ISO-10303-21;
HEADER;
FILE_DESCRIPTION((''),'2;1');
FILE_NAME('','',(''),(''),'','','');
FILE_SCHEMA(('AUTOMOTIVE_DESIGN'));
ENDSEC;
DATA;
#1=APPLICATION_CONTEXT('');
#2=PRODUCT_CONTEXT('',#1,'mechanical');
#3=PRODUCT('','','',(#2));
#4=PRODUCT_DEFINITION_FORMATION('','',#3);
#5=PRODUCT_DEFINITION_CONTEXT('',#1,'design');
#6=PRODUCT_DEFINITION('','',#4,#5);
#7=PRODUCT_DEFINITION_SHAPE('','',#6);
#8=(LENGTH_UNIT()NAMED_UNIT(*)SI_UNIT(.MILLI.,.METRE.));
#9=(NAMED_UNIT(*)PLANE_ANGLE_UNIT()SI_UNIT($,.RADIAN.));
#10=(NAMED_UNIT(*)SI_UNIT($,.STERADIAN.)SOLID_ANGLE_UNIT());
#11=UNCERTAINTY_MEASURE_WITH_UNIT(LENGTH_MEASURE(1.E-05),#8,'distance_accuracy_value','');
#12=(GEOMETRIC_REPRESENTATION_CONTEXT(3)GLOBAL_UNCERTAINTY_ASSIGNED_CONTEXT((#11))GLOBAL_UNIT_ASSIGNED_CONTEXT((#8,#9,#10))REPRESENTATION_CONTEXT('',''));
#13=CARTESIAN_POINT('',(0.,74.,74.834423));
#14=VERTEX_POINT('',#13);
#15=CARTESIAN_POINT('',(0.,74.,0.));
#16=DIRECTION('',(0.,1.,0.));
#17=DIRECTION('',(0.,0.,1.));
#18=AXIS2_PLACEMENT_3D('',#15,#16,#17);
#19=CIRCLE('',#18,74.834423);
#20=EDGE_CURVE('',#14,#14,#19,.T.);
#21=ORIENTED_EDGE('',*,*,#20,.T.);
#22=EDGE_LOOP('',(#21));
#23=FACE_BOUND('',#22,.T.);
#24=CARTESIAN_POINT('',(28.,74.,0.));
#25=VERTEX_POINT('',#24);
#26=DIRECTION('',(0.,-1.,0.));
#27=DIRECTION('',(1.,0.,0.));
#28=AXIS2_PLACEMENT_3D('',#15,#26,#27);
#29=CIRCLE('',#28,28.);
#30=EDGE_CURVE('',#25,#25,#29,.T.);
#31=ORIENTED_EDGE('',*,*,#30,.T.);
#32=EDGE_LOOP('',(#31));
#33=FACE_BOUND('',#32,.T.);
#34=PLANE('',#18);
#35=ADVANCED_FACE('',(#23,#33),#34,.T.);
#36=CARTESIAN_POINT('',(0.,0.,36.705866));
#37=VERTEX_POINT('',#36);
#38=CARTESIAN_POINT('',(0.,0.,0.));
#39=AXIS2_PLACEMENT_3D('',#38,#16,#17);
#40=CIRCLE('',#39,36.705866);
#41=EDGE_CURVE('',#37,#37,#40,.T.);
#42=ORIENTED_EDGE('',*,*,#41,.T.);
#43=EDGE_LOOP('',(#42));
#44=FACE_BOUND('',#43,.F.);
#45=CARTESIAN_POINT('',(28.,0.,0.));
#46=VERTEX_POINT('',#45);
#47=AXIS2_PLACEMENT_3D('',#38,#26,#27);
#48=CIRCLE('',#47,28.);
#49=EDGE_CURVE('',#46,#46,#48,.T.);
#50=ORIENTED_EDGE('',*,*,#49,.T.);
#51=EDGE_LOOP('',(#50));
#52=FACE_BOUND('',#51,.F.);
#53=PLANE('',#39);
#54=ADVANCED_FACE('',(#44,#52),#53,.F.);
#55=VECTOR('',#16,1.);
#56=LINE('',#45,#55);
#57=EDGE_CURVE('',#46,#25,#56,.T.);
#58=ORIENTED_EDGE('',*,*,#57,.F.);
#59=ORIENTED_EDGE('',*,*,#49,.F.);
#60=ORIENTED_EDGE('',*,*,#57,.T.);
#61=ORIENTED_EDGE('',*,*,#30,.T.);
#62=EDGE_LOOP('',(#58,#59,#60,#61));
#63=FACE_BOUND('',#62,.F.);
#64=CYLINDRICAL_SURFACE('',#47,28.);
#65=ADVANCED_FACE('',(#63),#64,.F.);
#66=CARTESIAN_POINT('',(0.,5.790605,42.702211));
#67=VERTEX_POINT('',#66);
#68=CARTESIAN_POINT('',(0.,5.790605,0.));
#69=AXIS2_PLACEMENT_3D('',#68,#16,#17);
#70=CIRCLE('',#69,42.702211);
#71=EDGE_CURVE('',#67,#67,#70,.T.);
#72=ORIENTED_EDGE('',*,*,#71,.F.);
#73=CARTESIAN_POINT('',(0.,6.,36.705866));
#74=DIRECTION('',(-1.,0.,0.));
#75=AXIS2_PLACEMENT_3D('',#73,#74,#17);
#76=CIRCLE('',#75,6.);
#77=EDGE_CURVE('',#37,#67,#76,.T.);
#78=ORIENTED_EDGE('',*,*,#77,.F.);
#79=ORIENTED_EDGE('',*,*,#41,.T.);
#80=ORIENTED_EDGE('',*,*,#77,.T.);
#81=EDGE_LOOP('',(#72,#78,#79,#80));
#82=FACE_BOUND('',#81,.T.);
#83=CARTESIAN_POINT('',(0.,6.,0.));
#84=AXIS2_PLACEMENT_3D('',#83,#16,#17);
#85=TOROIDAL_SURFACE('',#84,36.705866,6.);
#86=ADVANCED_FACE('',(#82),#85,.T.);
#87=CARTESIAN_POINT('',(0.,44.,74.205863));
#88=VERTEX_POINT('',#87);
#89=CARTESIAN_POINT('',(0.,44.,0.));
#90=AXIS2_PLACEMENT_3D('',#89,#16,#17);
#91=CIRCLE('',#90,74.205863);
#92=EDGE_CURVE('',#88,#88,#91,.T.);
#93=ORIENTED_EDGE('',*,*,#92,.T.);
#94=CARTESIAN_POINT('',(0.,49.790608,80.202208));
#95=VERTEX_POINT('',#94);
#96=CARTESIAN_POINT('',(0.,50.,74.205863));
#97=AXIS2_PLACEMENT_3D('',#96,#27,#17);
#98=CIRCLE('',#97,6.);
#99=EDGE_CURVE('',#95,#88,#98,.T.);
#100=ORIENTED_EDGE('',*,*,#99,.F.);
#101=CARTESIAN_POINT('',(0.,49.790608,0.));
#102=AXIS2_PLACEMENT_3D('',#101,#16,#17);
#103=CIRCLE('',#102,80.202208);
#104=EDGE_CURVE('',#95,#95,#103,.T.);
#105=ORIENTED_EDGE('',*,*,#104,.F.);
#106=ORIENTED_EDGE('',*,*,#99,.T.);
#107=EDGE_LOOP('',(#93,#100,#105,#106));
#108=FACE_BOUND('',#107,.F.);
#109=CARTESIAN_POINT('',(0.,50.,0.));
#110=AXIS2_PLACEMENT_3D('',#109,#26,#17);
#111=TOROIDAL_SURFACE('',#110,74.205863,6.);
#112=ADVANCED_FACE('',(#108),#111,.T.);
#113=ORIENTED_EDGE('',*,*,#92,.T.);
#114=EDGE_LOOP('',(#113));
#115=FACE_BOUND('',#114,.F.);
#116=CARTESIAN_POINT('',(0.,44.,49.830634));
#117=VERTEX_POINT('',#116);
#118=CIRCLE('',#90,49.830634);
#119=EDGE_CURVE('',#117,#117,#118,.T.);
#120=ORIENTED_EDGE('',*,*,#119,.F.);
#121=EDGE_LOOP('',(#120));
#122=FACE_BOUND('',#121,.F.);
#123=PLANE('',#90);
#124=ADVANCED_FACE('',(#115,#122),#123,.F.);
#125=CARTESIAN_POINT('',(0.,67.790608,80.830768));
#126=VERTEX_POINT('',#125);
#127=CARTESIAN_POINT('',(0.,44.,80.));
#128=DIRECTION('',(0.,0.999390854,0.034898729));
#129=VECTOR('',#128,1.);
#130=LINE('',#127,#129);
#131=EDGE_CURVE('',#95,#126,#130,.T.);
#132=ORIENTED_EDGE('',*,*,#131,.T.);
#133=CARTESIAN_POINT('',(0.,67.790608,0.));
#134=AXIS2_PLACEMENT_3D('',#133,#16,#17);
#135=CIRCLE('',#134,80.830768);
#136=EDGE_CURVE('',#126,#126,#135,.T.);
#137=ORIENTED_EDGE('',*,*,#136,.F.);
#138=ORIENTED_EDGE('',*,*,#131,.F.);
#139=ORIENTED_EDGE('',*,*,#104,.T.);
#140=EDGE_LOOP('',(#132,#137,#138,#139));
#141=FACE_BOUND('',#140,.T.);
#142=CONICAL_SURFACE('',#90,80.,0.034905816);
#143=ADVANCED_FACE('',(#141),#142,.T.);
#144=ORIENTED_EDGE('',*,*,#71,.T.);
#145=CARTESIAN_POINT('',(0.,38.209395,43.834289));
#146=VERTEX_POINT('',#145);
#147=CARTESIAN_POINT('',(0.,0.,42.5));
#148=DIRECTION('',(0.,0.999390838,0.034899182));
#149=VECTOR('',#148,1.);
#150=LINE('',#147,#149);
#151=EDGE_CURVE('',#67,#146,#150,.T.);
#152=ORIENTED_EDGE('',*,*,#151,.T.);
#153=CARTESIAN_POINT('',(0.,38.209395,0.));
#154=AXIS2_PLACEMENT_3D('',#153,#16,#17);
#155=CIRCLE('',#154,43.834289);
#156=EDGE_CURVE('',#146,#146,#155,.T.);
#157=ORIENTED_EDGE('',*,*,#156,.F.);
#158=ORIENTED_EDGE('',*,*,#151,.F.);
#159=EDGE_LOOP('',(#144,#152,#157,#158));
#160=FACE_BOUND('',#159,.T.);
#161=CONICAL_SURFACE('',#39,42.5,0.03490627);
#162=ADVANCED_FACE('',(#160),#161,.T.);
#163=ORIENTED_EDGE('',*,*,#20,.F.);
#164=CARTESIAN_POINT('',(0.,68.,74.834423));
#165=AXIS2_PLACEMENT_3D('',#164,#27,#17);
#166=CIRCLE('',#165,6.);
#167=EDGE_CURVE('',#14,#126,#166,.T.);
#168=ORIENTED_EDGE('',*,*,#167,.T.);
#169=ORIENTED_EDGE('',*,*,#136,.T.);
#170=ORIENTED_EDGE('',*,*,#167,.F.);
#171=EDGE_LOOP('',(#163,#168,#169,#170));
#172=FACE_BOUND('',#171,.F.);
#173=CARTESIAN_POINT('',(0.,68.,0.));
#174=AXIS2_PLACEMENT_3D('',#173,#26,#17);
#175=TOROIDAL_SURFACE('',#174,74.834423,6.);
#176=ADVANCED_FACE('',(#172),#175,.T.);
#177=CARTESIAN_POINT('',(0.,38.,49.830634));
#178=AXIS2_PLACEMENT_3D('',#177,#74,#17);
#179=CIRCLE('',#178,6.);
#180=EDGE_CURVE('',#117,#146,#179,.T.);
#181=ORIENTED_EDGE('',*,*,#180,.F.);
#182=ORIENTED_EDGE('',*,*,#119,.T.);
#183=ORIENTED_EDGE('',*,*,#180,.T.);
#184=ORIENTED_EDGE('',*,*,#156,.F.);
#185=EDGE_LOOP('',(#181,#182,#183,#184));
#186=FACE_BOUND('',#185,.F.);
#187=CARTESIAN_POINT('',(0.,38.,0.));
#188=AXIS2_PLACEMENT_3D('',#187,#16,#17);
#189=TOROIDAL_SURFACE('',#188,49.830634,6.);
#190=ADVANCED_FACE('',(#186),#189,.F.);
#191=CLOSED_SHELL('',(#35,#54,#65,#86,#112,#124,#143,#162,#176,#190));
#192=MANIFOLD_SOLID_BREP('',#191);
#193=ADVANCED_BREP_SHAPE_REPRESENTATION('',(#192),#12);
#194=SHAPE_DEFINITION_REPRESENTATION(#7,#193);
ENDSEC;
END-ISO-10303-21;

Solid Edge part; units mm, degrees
sketch "Sketch1" plane through (0, 0, 0) normal (1, 0, 0) x (0, 1, 0)
  line L0 (74, 81.0476) -> (74, 0)
  line L1 (44, 80) -> (74, 81.0476)
  line L2 (44, 80) -> (44, 44.0365)
  line L3 (0, 42.5) -> (44, 44.0365)
  line L4 (0, 42.5) -> (0, 0)
  dimension "D1" = 42.5
  dimension "D2" = 35.9635
  dimension "D3" = 81.0476
  dimension "D4" = 30.0183
  dimension "D5" = 44.0268
revolve "RevolvedProtrusion1" add sketch "Sketch1" angle 360 about axis through (0, 0, 0) along (0, 1, 0)
sketch "Sketch2" plane through (0, 0, 0) normal (0, -1, 0) x (1, 0, 0)
  circle A0 centre (0, 0) radius 28
extrude "Cutout1" cut sketch "Sketch2" against normal blind 250.3843
fillet "Raccordi_grezzo" radius 6 4 edges at (0, 74, 81.0476) (0, 44, 80) (0, 44, 44.0365) (0, 0, 42.5)
properties material "Acciaio"
